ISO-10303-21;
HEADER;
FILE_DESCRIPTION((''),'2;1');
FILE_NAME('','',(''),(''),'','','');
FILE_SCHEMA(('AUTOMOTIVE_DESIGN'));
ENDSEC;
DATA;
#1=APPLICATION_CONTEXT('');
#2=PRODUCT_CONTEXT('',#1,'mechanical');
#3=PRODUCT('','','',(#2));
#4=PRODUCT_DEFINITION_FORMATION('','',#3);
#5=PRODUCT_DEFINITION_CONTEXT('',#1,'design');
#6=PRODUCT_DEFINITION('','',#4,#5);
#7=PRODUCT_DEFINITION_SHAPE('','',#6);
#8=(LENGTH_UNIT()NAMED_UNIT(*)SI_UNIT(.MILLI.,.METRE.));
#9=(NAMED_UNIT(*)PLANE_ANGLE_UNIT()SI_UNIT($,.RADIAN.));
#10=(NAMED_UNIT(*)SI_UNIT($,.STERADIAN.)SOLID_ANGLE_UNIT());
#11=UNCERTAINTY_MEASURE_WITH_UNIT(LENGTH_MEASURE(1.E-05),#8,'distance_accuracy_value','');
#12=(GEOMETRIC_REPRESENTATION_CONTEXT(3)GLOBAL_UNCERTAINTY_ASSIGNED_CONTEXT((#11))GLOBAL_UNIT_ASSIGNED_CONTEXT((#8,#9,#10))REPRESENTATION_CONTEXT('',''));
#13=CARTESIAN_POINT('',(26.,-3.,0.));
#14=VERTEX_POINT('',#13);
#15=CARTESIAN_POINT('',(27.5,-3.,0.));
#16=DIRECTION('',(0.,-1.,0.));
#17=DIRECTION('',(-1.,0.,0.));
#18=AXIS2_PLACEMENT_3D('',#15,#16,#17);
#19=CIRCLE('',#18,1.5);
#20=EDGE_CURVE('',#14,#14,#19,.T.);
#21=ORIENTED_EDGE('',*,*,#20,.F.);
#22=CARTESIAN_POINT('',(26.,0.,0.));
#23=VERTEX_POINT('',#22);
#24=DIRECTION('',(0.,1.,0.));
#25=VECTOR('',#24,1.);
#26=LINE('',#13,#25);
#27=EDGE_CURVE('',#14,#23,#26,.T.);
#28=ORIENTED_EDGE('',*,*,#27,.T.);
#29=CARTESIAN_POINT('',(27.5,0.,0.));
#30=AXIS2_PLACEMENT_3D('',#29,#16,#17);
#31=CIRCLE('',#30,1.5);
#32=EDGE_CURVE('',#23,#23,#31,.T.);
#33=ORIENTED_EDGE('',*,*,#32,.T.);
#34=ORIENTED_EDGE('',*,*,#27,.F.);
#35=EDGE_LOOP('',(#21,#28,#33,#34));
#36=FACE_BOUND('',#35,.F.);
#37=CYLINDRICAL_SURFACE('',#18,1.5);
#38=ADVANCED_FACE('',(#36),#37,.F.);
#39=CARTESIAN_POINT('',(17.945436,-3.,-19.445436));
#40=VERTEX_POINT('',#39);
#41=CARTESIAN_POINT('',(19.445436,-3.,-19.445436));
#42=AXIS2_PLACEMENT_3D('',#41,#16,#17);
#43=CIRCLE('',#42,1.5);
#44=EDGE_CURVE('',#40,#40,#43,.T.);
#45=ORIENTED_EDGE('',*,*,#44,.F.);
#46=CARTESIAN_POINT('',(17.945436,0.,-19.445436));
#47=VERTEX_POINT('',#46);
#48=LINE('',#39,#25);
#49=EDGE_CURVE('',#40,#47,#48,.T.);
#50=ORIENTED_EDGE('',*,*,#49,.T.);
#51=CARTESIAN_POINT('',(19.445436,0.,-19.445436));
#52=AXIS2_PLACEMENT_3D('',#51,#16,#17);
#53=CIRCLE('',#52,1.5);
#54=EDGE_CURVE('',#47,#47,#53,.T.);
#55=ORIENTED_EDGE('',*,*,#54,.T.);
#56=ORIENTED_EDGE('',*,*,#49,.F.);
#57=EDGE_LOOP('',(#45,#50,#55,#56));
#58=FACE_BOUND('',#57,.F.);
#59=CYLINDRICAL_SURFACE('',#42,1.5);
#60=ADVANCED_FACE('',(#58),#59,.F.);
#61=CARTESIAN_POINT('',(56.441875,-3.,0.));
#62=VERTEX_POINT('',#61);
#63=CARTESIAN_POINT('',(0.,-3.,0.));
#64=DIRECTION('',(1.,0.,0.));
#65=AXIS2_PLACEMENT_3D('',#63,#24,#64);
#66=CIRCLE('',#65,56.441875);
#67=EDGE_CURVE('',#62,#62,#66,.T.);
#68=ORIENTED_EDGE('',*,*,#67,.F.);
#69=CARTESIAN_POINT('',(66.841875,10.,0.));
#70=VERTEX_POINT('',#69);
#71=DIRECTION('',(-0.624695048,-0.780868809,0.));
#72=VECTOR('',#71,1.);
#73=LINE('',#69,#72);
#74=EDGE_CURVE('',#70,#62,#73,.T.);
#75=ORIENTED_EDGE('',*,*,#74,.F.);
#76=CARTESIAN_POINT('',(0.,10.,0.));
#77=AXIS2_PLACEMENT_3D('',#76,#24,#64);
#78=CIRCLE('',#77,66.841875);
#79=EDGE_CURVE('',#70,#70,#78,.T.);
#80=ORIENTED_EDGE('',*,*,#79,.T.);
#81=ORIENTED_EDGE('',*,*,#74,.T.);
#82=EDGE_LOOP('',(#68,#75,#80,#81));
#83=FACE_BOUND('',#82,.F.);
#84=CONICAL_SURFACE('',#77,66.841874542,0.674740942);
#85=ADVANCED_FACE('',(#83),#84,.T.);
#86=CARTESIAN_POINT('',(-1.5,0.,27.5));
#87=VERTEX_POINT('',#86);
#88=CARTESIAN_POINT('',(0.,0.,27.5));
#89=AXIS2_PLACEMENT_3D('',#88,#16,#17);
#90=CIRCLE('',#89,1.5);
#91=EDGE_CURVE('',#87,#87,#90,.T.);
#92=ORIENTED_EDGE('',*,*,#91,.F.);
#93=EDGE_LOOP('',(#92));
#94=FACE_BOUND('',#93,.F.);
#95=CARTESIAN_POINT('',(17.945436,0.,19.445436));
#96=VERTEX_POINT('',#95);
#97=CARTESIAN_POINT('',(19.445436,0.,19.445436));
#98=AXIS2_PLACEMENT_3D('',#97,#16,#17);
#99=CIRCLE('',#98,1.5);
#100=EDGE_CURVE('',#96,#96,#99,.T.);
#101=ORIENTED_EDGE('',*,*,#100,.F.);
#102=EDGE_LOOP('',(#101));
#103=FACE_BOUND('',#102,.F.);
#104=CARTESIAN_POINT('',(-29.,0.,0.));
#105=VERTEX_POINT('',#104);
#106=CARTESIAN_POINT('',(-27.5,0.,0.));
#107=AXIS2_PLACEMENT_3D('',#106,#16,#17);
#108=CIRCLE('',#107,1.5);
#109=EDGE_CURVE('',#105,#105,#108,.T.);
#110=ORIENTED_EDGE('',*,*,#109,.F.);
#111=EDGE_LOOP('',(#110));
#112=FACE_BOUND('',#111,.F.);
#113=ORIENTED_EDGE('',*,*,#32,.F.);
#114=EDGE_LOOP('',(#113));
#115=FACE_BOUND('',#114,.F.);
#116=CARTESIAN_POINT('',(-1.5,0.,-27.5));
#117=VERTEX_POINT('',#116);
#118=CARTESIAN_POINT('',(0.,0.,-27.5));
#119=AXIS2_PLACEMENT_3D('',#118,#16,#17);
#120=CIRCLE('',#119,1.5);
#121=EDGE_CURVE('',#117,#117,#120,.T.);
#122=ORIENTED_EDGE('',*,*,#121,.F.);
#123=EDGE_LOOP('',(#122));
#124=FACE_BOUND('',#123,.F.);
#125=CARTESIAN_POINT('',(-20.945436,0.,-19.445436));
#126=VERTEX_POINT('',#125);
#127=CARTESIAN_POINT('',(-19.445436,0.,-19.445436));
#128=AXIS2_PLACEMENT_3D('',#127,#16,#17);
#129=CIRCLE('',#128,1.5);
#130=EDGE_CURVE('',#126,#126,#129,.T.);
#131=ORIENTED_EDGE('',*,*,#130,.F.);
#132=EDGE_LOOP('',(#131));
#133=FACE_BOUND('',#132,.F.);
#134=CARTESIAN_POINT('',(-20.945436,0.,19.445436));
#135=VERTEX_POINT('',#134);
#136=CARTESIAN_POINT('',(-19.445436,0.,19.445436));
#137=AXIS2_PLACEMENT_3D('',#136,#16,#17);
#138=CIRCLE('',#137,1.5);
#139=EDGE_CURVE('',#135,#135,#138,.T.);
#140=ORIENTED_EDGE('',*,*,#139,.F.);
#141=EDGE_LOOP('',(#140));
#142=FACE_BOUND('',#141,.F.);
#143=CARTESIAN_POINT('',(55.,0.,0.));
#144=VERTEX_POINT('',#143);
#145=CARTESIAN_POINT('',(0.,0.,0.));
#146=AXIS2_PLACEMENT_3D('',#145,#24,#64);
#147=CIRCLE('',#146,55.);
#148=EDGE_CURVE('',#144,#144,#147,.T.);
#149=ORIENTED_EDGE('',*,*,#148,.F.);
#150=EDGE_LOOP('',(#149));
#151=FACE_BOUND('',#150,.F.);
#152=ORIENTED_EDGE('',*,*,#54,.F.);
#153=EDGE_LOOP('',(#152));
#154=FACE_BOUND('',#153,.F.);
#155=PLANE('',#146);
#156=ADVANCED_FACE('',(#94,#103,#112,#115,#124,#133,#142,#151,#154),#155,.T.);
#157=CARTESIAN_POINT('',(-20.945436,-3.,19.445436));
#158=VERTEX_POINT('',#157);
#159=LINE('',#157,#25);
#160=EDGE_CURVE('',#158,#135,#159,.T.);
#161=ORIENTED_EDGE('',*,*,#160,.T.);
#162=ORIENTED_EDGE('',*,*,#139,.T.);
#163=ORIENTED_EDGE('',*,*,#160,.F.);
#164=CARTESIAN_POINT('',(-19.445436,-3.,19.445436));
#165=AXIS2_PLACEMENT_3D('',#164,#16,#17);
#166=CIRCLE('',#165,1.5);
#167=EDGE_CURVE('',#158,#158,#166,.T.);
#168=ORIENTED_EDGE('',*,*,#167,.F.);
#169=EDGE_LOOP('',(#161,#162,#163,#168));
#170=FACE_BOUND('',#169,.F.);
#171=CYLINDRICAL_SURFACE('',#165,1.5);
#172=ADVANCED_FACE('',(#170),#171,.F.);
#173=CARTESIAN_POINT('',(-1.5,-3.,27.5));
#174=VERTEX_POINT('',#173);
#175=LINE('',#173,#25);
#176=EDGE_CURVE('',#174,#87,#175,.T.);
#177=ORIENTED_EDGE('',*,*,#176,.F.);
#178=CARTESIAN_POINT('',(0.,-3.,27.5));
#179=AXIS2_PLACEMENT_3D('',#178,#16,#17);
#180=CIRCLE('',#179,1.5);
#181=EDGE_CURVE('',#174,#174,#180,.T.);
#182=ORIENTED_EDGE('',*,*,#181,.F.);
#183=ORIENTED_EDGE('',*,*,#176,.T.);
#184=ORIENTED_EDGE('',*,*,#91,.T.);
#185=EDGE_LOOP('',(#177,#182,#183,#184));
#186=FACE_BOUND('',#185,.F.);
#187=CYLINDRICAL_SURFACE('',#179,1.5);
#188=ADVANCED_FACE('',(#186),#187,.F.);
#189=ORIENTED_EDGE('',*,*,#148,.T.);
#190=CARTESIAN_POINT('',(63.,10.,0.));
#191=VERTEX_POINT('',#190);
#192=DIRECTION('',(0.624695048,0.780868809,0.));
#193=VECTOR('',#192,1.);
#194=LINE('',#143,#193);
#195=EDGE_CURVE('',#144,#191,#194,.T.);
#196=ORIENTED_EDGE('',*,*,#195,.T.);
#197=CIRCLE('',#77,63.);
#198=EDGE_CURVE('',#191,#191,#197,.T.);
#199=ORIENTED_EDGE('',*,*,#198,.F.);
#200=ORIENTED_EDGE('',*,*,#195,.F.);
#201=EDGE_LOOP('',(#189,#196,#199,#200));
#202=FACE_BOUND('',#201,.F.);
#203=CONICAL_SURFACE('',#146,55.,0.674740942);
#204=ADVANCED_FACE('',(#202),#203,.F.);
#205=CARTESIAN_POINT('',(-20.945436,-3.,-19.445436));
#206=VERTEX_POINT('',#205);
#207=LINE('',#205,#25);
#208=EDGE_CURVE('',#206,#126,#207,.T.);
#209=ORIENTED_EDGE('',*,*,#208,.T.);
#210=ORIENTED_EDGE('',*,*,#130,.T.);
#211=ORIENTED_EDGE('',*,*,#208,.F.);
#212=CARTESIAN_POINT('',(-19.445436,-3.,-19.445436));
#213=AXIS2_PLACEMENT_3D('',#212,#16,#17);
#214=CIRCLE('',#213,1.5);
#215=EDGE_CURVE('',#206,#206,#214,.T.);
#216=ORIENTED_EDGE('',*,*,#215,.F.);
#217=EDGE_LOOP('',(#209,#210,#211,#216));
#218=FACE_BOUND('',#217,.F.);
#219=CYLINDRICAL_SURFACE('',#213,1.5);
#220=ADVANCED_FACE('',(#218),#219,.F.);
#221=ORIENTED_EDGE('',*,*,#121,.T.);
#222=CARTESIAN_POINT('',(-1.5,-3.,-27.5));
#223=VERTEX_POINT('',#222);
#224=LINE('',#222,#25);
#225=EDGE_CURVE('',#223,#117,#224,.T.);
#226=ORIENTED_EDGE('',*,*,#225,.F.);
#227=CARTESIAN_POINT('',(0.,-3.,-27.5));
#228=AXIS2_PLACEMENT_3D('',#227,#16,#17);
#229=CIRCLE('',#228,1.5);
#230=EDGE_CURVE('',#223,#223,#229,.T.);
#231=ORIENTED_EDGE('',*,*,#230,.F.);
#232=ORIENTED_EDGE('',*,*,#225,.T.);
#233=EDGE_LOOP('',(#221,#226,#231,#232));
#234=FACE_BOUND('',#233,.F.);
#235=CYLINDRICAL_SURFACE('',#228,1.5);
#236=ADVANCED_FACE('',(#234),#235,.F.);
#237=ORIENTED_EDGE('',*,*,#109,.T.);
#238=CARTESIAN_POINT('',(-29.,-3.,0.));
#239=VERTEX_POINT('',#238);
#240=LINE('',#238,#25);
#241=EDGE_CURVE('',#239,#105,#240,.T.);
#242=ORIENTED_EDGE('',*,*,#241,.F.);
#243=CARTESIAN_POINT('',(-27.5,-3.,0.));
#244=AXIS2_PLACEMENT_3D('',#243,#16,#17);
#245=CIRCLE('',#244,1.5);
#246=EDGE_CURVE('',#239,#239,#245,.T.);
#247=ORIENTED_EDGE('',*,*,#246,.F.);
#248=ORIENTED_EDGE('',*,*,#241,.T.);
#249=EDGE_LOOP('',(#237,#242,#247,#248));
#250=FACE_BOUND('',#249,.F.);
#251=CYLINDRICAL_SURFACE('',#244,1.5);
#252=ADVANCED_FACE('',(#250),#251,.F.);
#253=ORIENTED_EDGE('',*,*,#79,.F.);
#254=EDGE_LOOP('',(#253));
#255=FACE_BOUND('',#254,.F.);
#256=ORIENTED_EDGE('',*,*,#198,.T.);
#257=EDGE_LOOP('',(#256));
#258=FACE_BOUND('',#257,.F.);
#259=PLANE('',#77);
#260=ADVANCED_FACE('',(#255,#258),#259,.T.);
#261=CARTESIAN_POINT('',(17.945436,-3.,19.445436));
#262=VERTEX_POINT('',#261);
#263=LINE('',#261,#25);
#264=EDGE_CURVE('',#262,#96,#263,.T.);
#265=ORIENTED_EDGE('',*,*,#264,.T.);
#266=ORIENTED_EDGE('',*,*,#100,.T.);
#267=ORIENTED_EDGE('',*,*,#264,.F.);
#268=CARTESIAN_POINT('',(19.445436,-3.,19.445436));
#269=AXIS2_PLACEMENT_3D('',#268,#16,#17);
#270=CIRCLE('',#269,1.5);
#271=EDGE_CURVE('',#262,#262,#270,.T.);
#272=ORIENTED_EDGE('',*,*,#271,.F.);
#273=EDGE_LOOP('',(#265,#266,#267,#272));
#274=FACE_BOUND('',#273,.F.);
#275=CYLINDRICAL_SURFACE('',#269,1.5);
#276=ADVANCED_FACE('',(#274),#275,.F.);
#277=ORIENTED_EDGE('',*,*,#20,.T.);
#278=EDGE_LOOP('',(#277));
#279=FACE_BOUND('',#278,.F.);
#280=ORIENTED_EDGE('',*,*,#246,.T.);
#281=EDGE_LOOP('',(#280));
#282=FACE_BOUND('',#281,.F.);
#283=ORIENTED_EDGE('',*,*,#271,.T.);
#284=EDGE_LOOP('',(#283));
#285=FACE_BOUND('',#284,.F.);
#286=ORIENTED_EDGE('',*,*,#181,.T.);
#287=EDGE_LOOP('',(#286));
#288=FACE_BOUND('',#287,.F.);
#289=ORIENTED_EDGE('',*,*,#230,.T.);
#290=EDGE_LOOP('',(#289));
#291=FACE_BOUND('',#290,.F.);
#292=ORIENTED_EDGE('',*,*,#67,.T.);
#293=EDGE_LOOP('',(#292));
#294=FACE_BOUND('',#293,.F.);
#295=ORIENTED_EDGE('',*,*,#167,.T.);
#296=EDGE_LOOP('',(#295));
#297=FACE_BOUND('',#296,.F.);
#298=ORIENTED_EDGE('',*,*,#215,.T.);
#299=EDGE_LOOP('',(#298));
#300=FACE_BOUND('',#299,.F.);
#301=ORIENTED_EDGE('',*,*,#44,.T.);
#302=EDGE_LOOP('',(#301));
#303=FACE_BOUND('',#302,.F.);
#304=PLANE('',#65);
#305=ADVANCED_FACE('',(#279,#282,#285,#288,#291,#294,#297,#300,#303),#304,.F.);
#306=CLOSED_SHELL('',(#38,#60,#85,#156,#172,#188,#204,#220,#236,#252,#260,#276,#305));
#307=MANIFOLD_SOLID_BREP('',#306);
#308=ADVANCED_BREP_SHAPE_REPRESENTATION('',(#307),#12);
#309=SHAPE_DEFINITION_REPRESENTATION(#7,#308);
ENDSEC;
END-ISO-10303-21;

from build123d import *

# Parameters (mm, degrees)
SKETCH2_R          = 1.5
CUT_EXTRUDE1_DEPTH = 14


with BuildPart() as part:
    # Sketch1 → Revolve1 (revolve)
    with BuildSketch(Plane.XY):
        Polygon((55, 0), (63, 10), (66.841874542, 10), (56.441874542, -3), (0, -3), (0, 0), align=None)
    revolve(axis=Axis((0, -3, 0), (0, 1, 0)))

    # Sketch2 → Cut-Extrude1 (cut, through all)
    with BuildSketch(Plane(origin=(0, -3, 0), x_dir=(-1, 0, 0), z_dir=(0, -1, 0))):
        with Locations((0, -27.5)):
            Circle(SKETCH2_R)
        with Locations((-19.445436483, -19.445436483)):
            Circle(SKETCH2_R)
        with Locations((-27.5, 0)):
            Circle(SKETCH2_R)
        with Locations((-19.445436483, 19.445436483)):
            Circle(SKETCH2_R)
        with Locations((0, 27.5)):
            Circle(SKETCH2_R)
        with Locations((19.445436483, 19.445436483)):
            Circle(SKETCH2_R)
        with Locations((27.5, 0)):
            Circle(SKETCH2_R)
        with Locations((19.445436483, -19.445436483)):
            Circle(SKETCH2_R)
    extrude(amount=-CUT_EXTRUDE1_DEPTH, mode=Mode.SUBTRACT)


solid = part.part
